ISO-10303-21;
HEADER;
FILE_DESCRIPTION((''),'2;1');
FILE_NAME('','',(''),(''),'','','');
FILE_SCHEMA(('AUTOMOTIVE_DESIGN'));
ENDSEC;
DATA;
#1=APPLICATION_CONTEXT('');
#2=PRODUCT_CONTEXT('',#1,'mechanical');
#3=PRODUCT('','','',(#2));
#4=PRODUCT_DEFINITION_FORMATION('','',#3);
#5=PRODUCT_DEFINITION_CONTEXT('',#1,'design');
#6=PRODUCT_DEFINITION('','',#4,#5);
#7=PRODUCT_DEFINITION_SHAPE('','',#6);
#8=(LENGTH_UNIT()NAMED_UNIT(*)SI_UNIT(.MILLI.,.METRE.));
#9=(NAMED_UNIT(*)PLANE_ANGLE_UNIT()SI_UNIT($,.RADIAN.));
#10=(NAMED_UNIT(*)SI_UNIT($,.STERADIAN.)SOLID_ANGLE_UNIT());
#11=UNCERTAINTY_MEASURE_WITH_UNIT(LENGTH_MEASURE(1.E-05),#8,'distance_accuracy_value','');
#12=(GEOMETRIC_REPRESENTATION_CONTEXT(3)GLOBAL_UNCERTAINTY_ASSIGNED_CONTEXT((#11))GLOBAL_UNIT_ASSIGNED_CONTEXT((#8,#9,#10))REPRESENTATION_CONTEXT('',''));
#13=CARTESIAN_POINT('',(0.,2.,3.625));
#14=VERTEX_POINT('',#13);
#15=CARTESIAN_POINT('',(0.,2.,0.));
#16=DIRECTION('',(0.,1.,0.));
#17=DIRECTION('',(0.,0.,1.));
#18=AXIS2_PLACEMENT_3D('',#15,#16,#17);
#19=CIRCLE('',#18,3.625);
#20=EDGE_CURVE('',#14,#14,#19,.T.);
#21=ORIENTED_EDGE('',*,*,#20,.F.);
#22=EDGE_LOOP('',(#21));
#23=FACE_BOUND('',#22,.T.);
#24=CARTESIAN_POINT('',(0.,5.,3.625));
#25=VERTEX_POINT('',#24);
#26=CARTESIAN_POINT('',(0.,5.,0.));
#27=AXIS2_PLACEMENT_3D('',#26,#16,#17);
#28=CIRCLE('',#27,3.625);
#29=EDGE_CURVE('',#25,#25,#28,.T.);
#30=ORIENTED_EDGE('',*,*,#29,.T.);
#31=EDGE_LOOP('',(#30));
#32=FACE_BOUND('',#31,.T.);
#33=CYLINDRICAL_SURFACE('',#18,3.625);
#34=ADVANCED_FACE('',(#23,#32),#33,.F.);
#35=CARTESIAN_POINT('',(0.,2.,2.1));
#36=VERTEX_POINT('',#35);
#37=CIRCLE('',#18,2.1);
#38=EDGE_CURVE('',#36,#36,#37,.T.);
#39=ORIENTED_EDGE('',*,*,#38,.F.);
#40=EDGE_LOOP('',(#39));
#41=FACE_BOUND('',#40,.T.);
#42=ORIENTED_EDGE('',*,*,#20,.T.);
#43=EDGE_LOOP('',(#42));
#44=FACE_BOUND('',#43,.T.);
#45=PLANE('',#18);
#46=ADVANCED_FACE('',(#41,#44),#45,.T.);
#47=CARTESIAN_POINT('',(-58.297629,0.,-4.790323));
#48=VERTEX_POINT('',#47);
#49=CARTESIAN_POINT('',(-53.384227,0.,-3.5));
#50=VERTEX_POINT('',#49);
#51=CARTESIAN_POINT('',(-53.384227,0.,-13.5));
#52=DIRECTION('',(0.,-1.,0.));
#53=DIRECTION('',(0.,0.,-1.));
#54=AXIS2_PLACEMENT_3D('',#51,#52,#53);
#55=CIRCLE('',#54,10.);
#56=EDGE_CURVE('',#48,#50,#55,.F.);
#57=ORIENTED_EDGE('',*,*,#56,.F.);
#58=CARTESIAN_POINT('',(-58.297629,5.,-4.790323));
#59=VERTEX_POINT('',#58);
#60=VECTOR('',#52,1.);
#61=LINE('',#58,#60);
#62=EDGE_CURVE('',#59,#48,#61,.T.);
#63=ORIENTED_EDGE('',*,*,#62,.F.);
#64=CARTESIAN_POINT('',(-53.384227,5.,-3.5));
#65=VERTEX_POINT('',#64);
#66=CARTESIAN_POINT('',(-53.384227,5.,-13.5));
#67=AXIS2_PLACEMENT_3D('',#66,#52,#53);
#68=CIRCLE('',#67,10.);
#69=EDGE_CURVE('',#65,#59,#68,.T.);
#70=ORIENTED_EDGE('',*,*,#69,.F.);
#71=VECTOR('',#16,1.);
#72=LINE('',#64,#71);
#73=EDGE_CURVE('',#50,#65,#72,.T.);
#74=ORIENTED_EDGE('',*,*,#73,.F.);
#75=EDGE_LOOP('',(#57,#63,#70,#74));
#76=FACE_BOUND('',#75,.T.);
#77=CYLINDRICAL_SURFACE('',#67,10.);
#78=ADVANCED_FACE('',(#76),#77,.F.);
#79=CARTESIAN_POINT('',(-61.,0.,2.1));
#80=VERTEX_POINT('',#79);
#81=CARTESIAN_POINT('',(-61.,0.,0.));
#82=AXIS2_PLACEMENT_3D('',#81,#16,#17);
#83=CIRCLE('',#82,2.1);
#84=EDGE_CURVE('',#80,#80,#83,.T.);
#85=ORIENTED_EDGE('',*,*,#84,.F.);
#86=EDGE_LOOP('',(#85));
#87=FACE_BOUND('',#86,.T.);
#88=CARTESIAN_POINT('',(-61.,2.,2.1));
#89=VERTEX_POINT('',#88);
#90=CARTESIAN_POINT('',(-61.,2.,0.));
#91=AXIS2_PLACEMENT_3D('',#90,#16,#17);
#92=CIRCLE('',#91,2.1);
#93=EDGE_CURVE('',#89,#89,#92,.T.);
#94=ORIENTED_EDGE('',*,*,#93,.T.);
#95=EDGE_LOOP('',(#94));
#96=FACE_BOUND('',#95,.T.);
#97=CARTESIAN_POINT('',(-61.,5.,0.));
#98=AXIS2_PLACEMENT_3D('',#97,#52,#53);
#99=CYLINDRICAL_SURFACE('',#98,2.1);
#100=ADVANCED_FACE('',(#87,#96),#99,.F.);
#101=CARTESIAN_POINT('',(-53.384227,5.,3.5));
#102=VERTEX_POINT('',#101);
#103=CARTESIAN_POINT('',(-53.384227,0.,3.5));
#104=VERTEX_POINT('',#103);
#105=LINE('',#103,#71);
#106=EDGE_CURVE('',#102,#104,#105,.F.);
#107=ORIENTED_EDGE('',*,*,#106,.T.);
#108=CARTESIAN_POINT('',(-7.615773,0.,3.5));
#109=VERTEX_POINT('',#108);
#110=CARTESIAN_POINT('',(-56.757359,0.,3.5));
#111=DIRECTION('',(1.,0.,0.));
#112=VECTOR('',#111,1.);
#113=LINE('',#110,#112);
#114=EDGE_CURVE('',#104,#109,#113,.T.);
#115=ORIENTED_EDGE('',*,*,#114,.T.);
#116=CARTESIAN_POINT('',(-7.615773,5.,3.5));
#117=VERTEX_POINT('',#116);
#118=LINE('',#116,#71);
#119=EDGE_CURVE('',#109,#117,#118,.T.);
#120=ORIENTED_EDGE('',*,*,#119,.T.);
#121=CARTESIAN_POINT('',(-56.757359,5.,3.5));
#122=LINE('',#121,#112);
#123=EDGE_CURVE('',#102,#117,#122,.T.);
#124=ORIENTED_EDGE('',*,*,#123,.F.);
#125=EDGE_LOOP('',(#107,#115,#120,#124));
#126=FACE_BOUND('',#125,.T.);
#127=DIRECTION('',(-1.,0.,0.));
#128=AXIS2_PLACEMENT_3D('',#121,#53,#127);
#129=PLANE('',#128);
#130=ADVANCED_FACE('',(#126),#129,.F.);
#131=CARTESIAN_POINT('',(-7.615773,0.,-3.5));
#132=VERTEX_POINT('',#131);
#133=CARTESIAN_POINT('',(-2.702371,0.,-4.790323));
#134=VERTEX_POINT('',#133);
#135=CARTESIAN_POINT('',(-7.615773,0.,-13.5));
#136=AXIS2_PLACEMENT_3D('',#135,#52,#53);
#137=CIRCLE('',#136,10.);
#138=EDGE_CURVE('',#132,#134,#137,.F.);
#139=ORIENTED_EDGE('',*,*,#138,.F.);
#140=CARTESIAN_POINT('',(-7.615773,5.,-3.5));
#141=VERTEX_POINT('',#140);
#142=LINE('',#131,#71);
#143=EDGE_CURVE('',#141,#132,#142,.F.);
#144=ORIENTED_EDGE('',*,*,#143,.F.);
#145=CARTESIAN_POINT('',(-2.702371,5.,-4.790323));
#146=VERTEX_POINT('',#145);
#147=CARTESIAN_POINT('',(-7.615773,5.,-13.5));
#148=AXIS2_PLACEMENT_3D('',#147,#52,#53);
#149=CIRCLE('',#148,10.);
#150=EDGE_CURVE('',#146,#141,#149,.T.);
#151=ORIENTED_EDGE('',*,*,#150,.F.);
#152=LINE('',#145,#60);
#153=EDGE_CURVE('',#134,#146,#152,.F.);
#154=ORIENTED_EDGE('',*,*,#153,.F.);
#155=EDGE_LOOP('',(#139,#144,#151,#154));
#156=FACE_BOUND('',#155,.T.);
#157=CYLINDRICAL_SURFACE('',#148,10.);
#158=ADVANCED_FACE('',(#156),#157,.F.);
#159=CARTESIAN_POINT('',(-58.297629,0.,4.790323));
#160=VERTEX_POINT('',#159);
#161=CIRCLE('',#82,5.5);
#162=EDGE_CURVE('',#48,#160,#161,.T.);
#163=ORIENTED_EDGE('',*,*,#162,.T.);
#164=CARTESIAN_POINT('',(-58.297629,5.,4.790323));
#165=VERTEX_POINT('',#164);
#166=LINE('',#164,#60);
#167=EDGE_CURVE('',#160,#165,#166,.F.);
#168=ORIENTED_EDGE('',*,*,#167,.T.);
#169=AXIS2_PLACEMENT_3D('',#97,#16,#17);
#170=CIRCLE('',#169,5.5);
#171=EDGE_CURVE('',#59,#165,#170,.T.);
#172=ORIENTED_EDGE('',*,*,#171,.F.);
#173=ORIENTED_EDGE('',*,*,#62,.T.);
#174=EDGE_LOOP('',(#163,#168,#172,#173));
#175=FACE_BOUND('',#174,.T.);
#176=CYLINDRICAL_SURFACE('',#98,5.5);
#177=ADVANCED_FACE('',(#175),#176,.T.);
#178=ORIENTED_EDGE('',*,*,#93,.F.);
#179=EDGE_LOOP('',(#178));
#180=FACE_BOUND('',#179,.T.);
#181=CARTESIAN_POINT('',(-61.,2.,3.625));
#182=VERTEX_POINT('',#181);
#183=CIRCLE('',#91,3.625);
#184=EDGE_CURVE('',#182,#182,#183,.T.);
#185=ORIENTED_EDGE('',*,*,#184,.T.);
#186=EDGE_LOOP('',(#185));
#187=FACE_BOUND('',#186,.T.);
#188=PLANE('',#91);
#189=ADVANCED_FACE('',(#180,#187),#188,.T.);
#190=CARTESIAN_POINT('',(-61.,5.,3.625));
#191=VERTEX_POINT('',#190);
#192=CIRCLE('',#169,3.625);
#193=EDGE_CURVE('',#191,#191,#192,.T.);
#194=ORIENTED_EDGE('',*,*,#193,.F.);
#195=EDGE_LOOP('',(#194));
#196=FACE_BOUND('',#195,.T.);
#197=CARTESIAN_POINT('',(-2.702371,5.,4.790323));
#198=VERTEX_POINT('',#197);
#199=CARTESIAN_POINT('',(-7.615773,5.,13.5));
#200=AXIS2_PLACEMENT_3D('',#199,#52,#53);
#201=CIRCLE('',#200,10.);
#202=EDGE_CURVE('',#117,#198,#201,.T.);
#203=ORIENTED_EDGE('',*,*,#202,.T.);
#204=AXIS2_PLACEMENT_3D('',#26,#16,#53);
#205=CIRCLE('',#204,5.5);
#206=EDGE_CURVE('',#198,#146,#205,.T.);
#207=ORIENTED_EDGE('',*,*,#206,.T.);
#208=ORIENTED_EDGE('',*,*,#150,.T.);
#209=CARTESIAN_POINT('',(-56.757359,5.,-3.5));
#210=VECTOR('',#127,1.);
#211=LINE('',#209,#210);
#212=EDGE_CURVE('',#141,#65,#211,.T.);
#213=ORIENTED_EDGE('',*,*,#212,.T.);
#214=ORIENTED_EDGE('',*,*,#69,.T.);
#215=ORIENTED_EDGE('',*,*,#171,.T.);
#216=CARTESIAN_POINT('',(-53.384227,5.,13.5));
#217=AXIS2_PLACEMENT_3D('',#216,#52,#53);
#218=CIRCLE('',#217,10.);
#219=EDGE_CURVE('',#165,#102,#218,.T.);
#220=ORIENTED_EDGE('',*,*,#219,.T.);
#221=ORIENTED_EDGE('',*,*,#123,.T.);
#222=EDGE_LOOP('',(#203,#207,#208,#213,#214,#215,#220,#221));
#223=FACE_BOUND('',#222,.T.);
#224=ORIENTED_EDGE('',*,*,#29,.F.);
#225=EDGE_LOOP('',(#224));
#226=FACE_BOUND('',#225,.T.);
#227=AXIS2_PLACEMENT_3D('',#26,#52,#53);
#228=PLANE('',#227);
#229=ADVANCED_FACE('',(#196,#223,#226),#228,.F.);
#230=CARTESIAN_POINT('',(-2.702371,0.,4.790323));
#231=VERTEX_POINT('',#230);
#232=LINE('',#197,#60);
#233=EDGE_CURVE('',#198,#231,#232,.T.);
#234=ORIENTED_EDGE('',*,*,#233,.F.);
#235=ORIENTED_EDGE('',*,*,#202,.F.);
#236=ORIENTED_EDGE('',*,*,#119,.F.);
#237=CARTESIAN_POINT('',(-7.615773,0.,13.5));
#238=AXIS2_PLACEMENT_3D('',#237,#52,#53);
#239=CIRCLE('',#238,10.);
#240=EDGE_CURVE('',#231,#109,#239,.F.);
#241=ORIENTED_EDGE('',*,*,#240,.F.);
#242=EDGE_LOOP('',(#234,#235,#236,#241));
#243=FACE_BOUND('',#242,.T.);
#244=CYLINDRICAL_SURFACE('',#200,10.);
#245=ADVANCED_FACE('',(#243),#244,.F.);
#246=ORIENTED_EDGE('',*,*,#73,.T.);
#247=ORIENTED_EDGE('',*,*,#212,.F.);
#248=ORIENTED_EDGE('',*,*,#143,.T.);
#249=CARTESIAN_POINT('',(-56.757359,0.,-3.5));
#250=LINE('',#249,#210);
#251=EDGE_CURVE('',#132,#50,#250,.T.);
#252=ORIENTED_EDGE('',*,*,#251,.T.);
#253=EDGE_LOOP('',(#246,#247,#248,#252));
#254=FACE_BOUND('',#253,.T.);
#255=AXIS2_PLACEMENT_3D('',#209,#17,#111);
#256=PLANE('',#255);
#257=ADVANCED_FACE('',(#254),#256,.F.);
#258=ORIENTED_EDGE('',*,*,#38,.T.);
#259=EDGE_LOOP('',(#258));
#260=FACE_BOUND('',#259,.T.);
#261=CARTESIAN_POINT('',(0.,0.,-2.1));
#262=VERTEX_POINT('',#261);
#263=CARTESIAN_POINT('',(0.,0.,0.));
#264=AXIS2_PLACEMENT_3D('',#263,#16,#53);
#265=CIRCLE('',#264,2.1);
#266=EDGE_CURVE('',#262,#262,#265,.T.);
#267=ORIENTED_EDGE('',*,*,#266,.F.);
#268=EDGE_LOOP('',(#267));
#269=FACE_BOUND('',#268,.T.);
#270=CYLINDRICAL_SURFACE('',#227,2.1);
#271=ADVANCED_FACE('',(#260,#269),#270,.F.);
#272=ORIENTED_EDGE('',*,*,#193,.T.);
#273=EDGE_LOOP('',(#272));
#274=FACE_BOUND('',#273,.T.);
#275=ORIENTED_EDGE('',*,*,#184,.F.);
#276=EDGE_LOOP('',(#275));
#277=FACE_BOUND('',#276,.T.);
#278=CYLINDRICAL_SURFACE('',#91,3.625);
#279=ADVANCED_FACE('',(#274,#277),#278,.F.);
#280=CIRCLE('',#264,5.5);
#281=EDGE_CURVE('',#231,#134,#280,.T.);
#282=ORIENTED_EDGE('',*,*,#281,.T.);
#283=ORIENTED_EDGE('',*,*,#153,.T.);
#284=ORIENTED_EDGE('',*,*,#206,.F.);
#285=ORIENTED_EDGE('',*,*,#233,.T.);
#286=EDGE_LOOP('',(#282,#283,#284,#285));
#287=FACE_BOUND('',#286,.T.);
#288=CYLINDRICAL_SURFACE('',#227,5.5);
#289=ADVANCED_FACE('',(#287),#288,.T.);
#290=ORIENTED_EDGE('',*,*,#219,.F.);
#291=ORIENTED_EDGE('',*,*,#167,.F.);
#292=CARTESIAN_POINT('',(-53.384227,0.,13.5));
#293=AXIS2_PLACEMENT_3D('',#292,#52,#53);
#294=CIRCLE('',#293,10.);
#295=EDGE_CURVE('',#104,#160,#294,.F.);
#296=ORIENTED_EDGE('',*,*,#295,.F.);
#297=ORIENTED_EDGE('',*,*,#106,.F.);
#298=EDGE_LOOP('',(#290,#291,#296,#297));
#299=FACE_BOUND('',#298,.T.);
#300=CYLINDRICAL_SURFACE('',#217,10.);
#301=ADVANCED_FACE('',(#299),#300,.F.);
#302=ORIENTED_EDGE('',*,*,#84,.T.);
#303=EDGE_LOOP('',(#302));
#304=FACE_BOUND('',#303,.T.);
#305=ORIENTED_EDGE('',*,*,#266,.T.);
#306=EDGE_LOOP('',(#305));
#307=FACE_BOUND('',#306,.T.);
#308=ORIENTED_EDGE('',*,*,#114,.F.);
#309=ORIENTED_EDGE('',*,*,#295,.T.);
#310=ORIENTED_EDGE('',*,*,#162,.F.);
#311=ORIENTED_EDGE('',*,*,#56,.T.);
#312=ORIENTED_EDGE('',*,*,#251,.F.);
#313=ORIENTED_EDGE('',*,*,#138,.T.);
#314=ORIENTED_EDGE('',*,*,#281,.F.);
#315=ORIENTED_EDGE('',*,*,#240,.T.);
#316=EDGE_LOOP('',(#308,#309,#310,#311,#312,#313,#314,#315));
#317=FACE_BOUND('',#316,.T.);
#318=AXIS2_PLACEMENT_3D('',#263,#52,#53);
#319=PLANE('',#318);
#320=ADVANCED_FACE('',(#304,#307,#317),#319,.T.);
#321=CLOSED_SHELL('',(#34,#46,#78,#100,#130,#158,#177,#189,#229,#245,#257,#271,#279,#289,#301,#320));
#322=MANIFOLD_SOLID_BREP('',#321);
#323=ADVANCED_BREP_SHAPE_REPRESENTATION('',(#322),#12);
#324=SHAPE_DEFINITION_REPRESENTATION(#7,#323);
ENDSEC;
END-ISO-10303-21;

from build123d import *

# Parameters (mm, degrees)
SKETCH1_R           = 2.1
BOSS_EXTRUDE1_DEPTH = 5
SKETCH2_R           = 3.625
CUT_EXTRUDE1_DEPTH  = 3
FILLET1_R           = 10


with BuildPart() as part:
    # Sketch1 → Boss-Extrude1 (new body)
    with BuildSketch(Plane(origin=(0, 0, 0), x_dir=(1, 0, 0), z_dir=(0, 1, 0))):
        with BuildLine():
            Line((-56.757359313, -3.5), (-4.242640687, -3.5))
            ThreePointArc((-4.242640687, -3.5), (5.5, 0), (-4.242640687, 3.5))
            Line((-4.242640687, 3.5), (-56.757359313, 3.5))
            ThreePointArc((-56.757359313, 3.5), (-66.5, 0), (-56.757359313, -3.5))
        make_face()
        with Locations(Location((-61, 0, 0), (0, 0, 270))):
            Circle(SKETCH1_R, mode=Mode.SUBTRACT)
        with Locations(Location((0, 0, 0), (0, 0, 90))):
            Circle(SKETCH1_R, mode=Mode.SUBTRACT)
    extrude(amount=BOSS_EXTRUDE1_DEPTH)

    # Sketch2 → Cut-Extrude1 (cut)
    with BuildSketch(Plane(origin=(0, 5, 0), x_dir=(1, 0, 0), z_dir=(0, 1, 0))):
        with Locations(Location((-61, 0, 0), (0, 0, 270))):
            Circle(SKETCH2_R)
        with Locations(Location((0, 0, 0), (0, 0, 270))):
            Circle(SKETCH2_R)
    extrude(amount=-CUT_EXTRUDE1_DEPTH, mode=Mode.SUBTRACT)

    # Fillet1
    fillet1_edges = [part.edges().sort_by_distance(p)[0] for p in [
        (-4.242640687, 2.5, 3.5),
        (-56.757359313, 2.5, 3.5),
        (-56.757359313, 2.5, -3.5),
        (-4.242640687, 2.5, -3.5),
    ]]
    fillet(fillet1_edges, radius=FILLET1_R)


solid = part.part
